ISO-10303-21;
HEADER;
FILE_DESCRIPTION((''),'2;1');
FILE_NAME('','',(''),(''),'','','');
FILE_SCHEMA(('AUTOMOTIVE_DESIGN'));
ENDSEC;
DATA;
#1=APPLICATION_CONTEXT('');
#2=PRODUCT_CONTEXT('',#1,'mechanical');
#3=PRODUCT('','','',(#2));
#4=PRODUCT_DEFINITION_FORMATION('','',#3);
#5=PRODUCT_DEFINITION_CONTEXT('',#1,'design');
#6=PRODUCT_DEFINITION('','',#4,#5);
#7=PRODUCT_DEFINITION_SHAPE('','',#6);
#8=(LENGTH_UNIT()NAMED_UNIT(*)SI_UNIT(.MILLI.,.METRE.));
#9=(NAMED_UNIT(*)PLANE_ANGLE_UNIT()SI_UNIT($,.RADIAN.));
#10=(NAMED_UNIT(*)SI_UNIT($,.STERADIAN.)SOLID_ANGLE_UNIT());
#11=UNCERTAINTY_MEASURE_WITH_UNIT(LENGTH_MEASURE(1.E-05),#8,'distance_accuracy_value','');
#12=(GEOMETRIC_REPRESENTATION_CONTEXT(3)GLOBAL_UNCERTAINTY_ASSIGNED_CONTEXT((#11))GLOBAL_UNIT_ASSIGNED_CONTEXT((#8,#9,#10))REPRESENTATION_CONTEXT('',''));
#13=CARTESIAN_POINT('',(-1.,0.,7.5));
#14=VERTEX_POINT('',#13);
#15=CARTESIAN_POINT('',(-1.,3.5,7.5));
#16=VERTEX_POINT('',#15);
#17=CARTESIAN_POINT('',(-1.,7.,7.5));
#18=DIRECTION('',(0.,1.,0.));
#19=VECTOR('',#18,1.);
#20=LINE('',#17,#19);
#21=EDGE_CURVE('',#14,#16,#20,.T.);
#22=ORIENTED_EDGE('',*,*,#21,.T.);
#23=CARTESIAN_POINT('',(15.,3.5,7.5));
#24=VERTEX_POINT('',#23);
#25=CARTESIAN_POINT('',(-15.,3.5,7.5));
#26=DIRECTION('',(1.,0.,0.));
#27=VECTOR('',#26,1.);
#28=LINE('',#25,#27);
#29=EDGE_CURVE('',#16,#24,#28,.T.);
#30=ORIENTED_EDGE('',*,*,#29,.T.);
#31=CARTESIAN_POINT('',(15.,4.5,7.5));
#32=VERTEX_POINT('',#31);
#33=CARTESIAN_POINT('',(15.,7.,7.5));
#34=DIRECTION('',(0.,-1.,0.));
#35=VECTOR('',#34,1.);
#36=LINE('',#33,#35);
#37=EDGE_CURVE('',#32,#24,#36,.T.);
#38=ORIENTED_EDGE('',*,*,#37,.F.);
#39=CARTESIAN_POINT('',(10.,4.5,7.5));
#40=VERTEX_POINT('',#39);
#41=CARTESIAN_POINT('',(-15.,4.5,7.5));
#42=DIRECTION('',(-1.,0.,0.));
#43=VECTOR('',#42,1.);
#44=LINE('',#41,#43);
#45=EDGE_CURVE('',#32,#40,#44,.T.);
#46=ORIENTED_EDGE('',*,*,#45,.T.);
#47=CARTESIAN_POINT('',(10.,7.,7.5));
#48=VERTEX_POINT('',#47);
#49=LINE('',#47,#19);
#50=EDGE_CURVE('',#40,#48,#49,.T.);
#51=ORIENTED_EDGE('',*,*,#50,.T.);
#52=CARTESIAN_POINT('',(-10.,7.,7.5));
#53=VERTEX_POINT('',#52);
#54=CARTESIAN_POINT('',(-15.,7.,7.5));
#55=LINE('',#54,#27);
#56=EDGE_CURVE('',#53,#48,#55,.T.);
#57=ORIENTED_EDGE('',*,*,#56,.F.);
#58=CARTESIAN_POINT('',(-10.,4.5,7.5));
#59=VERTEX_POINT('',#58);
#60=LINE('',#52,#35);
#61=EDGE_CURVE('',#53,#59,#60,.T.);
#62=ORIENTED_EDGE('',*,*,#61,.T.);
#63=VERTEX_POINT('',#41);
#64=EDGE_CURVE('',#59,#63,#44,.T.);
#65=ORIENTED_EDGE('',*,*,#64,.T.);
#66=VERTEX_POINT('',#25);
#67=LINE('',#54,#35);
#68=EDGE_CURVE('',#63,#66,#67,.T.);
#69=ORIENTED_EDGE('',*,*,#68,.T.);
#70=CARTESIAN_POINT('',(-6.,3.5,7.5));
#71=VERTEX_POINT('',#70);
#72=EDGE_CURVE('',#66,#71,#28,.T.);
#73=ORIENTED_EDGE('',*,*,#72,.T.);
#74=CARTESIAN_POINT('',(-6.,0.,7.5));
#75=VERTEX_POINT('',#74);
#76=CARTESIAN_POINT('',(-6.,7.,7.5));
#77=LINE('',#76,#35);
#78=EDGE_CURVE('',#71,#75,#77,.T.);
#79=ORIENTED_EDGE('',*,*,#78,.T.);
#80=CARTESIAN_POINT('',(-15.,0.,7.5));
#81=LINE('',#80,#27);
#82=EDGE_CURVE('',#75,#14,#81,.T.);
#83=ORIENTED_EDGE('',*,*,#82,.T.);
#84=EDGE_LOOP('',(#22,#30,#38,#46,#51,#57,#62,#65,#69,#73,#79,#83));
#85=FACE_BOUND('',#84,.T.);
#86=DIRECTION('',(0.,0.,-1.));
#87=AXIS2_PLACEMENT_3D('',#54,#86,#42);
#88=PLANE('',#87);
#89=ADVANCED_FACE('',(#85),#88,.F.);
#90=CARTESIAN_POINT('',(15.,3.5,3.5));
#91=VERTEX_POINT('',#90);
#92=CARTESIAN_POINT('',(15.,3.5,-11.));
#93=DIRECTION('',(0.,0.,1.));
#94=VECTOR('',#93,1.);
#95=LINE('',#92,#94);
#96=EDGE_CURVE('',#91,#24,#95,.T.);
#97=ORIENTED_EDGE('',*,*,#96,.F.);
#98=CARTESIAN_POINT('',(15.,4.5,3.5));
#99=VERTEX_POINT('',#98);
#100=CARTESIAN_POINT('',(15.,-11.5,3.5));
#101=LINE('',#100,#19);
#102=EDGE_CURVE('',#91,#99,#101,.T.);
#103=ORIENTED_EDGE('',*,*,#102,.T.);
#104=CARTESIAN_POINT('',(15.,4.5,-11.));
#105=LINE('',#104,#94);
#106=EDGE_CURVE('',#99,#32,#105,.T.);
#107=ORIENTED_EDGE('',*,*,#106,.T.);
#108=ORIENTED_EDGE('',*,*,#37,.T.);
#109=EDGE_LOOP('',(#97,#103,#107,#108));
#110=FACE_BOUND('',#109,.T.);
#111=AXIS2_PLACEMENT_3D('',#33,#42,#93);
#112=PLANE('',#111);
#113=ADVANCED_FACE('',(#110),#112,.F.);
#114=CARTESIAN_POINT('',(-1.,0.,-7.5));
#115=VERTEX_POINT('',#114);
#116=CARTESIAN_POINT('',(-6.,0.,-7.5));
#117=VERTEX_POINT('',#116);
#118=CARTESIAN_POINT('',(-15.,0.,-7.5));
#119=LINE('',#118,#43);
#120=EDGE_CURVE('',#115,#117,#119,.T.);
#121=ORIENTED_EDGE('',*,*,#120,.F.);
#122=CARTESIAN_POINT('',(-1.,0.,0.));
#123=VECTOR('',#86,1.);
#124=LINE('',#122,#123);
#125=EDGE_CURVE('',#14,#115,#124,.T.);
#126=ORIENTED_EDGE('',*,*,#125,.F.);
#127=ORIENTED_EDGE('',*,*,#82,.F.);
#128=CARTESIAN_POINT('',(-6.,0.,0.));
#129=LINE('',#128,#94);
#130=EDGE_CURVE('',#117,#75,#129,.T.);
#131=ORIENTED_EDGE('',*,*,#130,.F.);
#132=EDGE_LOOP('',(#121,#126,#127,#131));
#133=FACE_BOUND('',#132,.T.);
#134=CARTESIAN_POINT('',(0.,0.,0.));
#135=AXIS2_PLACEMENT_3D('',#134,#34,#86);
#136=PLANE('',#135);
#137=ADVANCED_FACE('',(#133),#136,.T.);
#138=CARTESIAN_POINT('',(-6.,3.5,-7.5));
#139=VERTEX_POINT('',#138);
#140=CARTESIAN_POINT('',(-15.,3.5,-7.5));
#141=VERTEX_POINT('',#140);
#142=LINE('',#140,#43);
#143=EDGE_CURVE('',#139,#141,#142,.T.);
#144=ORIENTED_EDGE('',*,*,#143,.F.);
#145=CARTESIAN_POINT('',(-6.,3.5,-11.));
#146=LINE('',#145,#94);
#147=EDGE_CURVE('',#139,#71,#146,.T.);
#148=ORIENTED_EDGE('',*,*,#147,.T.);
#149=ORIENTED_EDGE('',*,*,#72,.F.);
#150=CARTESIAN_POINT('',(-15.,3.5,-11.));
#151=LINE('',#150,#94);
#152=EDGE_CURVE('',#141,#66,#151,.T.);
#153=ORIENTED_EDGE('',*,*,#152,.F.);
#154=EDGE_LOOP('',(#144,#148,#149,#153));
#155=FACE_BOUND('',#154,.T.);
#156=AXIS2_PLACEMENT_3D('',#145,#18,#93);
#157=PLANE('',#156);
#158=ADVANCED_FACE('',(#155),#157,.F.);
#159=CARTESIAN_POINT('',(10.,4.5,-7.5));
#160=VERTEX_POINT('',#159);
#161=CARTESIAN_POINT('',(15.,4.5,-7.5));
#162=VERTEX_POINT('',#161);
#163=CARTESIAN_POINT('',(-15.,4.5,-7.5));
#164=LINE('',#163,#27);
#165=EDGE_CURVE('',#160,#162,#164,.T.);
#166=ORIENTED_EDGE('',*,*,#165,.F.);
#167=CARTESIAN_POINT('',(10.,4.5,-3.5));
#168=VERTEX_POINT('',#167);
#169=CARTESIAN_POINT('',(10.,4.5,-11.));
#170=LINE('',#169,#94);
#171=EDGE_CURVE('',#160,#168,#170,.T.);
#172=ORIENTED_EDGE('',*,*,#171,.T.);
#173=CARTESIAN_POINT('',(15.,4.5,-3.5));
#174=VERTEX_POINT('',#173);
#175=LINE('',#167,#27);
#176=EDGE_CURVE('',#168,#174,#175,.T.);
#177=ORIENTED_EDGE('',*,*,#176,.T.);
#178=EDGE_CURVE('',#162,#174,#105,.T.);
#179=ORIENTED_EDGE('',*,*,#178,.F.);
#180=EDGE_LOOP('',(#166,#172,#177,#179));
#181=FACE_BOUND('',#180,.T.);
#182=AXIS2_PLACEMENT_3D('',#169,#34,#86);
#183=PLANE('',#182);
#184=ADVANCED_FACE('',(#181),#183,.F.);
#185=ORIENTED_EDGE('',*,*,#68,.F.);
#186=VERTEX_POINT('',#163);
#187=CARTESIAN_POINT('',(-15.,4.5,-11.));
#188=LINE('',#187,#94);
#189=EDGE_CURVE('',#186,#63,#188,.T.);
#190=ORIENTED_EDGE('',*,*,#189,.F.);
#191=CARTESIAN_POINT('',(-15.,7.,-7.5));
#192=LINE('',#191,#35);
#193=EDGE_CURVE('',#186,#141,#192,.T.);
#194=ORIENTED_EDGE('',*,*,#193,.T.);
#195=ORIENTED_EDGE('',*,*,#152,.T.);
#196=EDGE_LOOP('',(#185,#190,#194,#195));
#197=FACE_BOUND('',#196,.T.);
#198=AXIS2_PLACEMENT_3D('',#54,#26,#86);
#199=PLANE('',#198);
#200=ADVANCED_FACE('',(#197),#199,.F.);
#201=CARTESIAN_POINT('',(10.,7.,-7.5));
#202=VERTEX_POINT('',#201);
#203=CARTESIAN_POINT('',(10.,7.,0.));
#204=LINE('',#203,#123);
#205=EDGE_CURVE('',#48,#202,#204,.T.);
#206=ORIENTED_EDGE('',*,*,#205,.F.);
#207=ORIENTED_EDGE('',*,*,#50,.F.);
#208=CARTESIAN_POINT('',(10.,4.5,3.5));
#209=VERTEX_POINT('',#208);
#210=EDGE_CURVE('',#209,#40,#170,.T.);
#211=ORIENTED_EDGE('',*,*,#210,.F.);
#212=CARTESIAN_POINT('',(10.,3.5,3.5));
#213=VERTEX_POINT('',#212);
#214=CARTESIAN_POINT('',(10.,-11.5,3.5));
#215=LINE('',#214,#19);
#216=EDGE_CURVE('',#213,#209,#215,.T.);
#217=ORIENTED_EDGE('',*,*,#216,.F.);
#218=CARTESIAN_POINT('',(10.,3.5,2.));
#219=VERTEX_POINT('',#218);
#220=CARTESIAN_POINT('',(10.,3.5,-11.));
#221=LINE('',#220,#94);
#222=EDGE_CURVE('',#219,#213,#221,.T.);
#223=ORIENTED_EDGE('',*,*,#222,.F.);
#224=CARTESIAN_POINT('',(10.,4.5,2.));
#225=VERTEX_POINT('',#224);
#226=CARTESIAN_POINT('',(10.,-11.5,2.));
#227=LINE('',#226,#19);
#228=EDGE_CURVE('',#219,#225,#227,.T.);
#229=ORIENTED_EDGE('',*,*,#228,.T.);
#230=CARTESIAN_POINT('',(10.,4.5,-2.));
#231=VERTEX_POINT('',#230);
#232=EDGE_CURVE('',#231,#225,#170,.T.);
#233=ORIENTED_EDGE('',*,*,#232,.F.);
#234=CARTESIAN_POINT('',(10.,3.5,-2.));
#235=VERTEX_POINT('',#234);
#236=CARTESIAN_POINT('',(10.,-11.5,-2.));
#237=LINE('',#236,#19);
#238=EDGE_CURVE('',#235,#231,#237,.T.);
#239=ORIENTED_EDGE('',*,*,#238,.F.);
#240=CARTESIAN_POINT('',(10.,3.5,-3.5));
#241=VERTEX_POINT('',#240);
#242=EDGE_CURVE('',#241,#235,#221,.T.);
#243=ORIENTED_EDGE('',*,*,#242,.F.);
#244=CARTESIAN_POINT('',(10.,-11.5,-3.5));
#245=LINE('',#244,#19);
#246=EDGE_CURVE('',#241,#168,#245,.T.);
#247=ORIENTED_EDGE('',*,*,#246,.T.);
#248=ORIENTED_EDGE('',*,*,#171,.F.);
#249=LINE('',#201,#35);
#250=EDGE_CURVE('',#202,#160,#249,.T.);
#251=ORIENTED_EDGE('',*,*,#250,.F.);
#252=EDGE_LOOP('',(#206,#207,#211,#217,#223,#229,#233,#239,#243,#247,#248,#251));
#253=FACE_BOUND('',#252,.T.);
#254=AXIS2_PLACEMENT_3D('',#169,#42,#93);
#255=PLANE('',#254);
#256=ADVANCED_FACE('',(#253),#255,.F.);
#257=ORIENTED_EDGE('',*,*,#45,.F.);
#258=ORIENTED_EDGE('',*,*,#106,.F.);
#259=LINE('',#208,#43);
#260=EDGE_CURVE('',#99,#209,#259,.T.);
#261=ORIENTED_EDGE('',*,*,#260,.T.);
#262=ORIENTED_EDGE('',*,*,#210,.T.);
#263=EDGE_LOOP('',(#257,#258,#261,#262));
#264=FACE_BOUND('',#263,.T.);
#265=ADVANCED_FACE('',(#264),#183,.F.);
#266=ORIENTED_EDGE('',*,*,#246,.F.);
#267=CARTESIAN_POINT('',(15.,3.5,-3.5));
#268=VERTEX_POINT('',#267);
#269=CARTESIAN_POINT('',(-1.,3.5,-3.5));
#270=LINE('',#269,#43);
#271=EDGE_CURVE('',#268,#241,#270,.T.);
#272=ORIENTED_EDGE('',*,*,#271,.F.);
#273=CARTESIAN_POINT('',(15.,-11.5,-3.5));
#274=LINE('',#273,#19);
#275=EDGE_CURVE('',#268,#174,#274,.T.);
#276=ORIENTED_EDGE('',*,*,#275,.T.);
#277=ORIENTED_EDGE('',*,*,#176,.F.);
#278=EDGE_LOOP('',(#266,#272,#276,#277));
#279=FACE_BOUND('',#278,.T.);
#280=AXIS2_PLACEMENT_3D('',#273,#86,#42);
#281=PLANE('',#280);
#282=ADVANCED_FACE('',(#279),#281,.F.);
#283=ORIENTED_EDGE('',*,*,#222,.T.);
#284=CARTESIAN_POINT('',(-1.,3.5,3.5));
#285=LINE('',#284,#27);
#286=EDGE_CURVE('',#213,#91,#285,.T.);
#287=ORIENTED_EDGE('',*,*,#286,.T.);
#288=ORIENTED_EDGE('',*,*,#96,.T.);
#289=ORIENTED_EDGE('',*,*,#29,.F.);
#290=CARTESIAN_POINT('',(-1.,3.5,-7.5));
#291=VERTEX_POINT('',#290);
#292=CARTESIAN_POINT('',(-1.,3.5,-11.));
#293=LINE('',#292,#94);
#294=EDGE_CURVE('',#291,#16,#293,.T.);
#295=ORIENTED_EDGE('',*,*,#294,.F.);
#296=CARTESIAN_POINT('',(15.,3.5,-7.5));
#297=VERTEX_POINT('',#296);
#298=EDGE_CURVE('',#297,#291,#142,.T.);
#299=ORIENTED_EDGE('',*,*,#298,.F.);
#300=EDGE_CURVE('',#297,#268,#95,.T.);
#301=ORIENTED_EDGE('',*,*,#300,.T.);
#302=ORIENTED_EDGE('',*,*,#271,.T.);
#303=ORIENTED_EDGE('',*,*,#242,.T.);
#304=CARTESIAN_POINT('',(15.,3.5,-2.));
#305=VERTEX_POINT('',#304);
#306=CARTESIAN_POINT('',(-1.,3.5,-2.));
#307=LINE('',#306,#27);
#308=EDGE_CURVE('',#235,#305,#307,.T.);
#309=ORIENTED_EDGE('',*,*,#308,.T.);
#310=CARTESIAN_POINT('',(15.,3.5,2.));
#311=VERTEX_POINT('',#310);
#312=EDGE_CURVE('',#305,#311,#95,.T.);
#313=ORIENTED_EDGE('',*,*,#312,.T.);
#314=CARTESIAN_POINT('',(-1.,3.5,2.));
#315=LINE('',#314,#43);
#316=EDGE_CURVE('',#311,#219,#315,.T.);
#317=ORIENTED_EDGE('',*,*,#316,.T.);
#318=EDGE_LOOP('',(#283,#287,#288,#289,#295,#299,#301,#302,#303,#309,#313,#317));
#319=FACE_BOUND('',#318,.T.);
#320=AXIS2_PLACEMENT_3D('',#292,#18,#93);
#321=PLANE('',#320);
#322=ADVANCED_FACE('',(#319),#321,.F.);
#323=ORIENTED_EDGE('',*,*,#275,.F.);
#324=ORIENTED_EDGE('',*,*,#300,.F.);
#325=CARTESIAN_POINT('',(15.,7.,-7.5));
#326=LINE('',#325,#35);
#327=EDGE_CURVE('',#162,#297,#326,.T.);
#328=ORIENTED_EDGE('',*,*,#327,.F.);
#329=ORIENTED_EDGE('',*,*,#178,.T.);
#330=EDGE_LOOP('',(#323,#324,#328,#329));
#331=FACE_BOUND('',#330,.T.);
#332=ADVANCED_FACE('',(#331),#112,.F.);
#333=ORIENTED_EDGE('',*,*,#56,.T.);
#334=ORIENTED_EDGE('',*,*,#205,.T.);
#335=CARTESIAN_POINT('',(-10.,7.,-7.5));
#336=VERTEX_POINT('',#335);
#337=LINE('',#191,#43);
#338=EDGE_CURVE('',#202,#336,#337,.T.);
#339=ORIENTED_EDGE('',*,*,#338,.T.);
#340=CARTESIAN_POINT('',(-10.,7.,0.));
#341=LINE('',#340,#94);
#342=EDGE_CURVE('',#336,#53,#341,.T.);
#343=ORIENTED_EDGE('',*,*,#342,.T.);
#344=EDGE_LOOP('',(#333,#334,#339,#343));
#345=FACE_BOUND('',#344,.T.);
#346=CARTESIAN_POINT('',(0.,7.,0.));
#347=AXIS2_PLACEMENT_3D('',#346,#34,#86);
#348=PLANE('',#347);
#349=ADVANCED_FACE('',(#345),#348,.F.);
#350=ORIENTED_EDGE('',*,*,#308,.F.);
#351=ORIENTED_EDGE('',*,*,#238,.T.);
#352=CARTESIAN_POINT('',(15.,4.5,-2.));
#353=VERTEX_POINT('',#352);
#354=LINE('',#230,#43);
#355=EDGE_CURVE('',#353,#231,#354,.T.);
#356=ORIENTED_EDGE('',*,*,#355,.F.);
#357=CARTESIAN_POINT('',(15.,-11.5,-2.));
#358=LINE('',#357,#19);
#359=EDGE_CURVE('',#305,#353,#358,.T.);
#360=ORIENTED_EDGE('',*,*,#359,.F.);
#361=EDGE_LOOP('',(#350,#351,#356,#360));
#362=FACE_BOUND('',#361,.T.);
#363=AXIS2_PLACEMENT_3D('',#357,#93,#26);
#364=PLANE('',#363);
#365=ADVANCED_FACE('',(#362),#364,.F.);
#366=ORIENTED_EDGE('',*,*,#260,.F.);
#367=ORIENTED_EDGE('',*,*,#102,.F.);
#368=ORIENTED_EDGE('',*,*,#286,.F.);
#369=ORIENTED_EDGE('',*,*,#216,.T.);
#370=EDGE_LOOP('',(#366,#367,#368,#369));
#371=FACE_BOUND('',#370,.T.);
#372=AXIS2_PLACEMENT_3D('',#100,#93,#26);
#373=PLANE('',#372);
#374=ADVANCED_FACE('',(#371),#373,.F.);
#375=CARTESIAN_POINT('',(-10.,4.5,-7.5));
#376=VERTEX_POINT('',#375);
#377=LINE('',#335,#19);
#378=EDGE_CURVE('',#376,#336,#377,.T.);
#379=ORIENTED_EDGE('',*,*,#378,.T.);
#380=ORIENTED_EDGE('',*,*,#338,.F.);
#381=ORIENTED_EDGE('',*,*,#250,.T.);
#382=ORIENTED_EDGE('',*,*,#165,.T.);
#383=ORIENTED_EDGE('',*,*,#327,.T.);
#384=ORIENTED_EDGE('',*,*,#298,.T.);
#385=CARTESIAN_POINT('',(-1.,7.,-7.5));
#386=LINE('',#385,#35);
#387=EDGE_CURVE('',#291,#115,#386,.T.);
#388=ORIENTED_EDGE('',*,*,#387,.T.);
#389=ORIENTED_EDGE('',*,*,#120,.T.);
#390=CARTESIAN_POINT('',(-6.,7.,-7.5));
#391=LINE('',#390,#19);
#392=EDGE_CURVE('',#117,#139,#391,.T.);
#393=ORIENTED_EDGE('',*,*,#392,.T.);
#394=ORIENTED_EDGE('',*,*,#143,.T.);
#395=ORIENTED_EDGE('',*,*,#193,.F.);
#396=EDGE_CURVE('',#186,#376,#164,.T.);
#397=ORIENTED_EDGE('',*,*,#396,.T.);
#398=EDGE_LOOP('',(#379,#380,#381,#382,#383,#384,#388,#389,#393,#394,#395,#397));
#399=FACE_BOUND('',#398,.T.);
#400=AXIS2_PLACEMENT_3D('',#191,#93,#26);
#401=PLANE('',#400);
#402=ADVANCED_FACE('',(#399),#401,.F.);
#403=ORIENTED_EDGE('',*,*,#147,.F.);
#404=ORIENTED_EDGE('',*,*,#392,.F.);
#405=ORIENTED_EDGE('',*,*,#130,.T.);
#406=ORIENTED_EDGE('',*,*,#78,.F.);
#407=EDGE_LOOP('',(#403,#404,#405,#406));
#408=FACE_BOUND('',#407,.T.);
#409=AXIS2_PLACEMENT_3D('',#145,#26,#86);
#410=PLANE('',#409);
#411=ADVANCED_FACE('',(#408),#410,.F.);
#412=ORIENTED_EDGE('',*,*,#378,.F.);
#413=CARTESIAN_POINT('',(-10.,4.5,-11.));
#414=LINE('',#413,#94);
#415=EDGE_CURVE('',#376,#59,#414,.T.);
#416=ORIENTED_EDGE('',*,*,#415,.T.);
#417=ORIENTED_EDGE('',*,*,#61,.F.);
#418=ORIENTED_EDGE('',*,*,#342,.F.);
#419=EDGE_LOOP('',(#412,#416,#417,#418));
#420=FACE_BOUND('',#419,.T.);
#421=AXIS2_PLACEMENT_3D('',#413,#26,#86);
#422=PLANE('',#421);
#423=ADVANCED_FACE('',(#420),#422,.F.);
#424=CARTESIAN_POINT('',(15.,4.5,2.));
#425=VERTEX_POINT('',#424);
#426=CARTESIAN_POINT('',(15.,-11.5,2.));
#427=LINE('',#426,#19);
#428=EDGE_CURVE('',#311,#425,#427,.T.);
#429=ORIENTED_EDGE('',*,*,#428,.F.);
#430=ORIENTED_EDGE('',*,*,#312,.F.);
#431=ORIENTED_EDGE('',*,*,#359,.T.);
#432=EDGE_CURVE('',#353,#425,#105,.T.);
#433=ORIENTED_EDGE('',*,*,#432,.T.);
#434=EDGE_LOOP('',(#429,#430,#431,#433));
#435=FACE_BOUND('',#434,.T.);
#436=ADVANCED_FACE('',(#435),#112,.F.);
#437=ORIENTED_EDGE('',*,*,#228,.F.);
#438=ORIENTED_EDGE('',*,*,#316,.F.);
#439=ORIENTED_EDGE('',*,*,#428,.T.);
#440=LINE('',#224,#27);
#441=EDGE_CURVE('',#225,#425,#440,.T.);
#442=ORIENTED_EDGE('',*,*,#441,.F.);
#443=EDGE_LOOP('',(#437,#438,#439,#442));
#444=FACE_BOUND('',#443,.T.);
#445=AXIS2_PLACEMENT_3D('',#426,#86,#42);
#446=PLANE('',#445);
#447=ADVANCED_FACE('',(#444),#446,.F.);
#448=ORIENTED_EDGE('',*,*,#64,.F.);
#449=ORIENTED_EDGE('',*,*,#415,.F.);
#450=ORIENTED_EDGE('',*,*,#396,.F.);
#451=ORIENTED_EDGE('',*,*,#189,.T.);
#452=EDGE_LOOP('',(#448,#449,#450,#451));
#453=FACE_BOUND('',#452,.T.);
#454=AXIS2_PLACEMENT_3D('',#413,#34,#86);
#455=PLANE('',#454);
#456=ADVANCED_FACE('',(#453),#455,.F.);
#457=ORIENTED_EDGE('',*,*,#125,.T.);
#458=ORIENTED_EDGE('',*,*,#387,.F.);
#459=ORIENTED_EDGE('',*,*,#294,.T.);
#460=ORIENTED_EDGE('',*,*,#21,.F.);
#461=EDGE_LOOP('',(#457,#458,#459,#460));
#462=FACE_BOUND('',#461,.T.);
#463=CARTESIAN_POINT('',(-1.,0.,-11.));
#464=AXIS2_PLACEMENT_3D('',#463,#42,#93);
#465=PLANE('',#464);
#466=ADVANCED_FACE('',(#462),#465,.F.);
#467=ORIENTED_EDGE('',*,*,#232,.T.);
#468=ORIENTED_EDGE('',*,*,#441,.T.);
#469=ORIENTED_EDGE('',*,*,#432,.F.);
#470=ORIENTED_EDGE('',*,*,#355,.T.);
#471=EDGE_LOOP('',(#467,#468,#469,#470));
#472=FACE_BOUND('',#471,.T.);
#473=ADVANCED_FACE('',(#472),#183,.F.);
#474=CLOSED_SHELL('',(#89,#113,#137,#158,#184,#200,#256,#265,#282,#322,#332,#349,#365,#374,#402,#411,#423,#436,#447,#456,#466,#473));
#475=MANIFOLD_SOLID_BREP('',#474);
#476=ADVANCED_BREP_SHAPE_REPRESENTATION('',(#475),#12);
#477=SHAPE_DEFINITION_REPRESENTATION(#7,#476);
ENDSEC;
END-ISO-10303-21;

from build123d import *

# Parameters (mm, degrees)
SKETCH1_W           = 30
SKETCH1_H           = 15
BOSS_EXTRUDE1_DEPTH = 7
SKETCH3_W           = 5
SKETCH3_H           = 2.5
SKETCH3_W_2         = 9
SKETCH3_H_2         = 3.5
SKETCH3_W_3         = 16
CUT_EXTRUDE1_DEPTH  = 18.5
SKETCH4_W           = 5
SKETCH4_H           = 1.5
CUT_EXTRUDE2_DEPTH  = 18.5


with BuildPart() as part:
    # Sketch1 → Boss-Extrude1 (new body)
    with BuildSketch(Plane(origin=(0, 0, 0), x_dir=(1, 0, 0), z_dir=(0, 1, 0))):
        Rectangle(SKETCH1_W, SKETCH1_H)
    extrude(amount=BOSS_EXTRUDE1_DEPTH)

    # Sketch3 → Cut-Extrude1 (cut, symmetric)
    with BuildSketch(Plane.XY.offset(7.5)):
        with Locations((-12.5, 5.75)):
            Rectangle(SKETCH3_W, SKETCH3_H)
        with Locations((-10.5, 1.75)):
            Rectangle(SKETCH3_W_2, SKETCH3_H_2)
        with Locations((12.5, 5.75)):
            Rectangle(SKETCH3_W, SKETCH3_H)
        with Locations((7, 1.75)):
            Rectangle(SKETCH3_W_3, SKETCH3_H_2)
    extrude(amount=CUT_EXTRUDE1_DEPTH, both=True, mode=Mode.SUBTRACT)

    # Sketch4 → Cut-Extrude2 (cut, symmetric)
    with BuildSketch(Plane(origin=(0, 7, 0), x_dir=(1, 0, 0), z_dir=(0, 1, 0))):
        with Locations((12.5, 2.75)):
            Rectangle(SKETCH4_W, SKETCH4_H)
        with Locations((12.5, -2.75)):
            Rectangle(SKETCH4_W, SKETCH4_H)
    extrude(amount=CUT_EXTRUDE2_DEPTH, both=True, mode=Mode.SUBTRACT)


solid = part.part
